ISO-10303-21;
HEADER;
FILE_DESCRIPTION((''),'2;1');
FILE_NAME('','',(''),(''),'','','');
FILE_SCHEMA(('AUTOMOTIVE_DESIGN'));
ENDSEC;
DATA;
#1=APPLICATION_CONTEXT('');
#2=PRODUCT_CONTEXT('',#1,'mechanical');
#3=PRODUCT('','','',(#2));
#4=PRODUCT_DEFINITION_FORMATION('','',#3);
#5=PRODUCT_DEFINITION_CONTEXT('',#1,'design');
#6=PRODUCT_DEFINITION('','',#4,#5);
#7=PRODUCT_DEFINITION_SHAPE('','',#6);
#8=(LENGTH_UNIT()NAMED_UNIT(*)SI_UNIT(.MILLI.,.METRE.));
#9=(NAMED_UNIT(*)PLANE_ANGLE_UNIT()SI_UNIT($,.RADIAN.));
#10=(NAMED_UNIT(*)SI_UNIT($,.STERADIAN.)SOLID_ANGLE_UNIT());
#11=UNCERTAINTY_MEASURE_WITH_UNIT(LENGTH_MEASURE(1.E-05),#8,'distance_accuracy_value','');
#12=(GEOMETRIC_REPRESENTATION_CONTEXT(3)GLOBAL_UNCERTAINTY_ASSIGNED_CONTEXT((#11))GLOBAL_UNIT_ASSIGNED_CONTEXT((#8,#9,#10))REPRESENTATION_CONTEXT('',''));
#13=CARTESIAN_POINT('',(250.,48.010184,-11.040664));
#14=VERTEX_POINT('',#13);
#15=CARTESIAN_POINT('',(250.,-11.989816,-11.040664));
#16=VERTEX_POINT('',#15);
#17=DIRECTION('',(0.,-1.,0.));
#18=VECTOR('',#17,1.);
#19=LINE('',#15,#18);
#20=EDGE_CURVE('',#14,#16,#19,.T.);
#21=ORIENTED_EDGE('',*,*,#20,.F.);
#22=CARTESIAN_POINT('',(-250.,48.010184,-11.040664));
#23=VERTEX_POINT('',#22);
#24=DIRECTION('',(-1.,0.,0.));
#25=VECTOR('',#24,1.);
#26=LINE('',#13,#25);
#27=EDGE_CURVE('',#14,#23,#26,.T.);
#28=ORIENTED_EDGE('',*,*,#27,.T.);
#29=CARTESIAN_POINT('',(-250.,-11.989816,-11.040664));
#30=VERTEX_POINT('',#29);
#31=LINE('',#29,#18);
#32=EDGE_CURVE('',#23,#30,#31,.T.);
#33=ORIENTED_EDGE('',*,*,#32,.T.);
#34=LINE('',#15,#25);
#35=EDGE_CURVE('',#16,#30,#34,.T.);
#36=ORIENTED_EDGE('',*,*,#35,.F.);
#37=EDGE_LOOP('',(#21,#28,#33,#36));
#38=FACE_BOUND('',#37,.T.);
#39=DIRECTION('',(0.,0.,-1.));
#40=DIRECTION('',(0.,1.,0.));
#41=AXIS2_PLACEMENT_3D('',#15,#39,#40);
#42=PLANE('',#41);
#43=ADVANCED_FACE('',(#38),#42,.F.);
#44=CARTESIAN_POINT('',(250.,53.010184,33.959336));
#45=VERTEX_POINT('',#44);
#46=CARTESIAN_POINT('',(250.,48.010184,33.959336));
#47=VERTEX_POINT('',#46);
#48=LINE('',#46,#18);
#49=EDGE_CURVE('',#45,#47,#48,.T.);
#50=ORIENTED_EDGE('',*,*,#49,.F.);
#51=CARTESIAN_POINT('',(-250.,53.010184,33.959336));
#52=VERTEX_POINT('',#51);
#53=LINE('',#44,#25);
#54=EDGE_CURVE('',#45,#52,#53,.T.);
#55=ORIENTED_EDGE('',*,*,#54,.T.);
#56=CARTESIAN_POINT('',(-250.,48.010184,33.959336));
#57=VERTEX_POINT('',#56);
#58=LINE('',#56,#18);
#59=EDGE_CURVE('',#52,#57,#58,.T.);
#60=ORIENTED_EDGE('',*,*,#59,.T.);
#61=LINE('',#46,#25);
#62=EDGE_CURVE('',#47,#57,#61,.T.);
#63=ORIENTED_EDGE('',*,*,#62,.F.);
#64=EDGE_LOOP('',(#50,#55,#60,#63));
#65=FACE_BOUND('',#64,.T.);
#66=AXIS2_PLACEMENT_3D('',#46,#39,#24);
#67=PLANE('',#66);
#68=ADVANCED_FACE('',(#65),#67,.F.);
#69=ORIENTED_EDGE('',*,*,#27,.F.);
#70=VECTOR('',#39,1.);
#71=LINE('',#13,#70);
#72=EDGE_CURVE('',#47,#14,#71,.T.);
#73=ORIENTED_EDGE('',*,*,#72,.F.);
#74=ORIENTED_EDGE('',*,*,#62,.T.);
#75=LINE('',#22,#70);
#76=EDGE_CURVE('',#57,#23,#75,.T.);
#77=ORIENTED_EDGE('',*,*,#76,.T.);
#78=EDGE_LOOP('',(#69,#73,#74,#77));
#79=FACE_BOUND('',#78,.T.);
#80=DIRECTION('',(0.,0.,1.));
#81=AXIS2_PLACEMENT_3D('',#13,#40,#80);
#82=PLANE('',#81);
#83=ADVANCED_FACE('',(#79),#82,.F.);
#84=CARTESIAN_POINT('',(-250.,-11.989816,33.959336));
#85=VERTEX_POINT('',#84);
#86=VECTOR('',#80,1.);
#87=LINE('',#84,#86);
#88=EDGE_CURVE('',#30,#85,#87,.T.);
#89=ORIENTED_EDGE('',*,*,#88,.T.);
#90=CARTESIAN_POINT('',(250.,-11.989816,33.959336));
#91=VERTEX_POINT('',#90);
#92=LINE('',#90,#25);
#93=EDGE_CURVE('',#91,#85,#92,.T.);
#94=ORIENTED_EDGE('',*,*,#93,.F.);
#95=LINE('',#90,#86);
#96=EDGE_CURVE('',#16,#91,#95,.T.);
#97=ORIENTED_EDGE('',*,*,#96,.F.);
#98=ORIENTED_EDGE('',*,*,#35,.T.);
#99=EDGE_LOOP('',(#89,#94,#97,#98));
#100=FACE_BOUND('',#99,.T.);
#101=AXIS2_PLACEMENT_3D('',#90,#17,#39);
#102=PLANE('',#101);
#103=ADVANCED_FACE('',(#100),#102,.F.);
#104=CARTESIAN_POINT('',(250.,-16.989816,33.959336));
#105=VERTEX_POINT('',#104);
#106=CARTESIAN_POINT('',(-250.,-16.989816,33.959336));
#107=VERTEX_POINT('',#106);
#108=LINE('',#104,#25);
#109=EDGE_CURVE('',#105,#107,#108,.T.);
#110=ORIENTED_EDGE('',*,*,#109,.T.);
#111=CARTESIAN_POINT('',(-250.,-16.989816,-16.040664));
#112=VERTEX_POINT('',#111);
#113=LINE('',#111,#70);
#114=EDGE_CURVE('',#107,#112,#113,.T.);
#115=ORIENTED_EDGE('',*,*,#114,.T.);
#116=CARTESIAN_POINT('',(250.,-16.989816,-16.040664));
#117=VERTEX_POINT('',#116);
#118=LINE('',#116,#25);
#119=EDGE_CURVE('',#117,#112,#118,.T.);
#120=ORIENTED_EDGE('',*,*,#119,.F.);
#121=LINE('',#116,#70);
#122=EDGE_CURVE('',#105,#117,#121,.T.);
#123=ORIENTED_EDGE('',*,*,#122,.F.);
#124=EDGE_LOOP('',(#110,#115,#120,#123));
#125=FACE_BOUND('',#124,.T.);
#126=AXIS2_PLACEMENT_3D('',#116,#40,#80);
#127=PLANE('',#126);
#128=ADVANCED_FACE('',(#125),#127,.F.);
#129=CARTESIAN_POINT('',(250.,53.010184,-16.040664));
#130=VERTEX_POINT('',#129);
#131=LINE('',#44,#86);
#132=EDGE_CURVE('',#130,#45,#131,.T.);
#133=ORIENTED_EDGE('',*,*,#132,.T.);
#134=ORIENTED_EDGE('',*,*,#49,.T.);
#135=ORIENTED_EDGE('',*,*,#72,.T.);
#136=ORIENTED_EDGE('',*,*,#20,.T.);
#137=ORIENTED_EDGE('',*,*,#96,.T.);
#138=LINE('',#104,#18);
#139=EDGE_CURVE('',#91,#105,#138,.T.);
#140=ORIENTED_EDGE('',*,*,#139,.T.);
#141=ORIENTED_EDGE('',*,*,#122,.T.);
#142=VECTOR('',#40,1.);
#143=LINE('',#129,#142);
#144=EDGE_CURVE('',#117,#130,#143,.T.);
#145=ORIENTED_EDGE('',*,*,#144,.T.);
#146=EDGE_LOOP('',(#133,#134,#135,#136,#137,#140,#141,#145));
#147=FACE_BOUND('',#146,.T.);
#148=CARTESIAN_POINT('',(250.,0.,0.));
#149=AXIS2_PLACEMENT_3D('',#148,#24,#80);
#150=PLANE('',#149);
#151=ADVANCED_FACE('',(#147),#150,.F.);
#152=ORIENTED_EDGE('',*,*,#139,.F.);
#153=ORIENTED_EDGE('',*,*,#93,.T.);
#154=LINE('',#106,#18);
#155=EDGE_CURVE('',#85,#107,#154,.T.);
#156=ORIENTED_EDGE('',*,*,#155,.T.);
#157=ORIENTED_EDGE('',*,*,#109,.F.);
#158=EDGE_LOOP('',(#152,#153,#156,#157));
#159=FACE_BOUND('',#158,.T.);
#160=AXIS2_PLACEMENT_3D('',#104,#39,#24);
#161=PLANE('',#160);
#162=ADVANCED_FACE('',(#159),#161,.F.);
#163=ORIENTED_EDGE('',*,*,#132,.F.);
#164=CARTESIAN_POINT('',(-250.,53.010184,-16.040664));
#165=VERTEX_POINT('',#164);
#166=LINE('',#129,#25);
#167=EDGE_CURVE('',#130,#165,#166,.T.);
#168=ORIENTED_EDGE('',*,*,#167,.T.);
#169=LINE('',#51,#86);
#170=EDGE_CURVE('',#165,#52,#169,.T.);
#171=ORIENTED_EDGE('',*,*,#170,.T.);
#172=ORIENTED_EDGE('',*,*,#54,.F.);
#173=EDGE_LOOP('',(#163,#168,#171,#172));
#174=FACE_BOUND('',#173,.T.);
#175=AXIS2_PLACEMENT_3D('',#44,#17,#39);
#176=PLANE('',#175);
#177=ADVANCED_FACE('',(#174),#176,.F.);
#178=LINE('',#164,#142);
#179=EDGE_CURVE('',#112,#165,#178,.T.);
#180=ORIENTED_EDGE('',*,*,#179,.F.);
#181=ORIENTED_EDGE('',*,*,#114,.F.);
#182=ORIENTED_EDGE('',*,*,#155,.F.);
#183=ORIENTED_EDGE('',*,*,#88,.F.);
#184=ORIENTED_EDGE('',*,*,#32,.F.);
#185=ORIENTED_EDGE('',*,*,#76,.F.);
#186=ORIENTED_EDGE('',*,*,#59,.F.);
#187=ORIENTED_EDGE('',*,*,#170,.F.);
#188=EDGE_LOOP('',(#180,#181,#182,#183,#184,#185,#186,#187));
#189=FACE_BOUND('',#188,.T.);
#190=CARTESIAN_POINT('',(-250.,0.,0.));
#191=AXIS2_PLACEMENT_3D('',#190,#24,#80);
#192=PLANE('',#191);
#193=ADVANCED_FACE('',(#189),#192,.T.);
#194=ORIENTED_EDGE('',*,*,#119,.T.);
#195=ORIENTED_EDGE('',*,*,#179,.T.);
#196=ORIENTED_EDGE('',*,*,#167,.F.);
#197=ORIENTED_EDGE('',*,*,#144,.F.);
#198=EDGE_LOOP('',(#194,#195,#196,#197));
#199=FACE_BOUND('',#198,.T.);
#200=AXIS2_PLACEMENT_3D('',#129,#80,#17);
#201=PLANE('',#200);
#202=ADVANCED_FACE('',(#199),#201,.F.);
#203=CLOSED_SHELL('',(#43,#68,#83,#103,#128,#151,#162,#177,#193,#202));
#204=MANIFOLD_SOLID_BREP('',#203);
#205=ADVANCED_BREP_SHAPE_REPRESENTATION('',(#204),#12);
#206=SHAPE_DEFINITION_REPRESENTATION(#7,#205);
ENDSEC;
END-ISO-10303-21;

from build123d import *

# Parameters (mm, degrees)
BOSS_EXTRUDE1_DEPTH = 250


with BuildPart() as part:
    # Sketch1 → Boss-Extrude1 (new body, symmetric)
    with BuildSketch(Plane(origin=(0, 0, 0), x_dir=(0, 0, -1), z_dir=(1, 0, 0))):
        Polygon((-33.959336145, 53.010184438), (16.040663855, 53.010184438), (16.040663855, -16.989815562), (-33.959336145, -16.989815562), (-33.959336145, -11.989815562), (11.040663855, -11.989815562), (11.040663855, 48.010184438), (-33.959336145, 48.010184438), align=None)
    extrude(amount=BOSS_EXTRUDE1_DEPTH, both=True)


solid = part.part
